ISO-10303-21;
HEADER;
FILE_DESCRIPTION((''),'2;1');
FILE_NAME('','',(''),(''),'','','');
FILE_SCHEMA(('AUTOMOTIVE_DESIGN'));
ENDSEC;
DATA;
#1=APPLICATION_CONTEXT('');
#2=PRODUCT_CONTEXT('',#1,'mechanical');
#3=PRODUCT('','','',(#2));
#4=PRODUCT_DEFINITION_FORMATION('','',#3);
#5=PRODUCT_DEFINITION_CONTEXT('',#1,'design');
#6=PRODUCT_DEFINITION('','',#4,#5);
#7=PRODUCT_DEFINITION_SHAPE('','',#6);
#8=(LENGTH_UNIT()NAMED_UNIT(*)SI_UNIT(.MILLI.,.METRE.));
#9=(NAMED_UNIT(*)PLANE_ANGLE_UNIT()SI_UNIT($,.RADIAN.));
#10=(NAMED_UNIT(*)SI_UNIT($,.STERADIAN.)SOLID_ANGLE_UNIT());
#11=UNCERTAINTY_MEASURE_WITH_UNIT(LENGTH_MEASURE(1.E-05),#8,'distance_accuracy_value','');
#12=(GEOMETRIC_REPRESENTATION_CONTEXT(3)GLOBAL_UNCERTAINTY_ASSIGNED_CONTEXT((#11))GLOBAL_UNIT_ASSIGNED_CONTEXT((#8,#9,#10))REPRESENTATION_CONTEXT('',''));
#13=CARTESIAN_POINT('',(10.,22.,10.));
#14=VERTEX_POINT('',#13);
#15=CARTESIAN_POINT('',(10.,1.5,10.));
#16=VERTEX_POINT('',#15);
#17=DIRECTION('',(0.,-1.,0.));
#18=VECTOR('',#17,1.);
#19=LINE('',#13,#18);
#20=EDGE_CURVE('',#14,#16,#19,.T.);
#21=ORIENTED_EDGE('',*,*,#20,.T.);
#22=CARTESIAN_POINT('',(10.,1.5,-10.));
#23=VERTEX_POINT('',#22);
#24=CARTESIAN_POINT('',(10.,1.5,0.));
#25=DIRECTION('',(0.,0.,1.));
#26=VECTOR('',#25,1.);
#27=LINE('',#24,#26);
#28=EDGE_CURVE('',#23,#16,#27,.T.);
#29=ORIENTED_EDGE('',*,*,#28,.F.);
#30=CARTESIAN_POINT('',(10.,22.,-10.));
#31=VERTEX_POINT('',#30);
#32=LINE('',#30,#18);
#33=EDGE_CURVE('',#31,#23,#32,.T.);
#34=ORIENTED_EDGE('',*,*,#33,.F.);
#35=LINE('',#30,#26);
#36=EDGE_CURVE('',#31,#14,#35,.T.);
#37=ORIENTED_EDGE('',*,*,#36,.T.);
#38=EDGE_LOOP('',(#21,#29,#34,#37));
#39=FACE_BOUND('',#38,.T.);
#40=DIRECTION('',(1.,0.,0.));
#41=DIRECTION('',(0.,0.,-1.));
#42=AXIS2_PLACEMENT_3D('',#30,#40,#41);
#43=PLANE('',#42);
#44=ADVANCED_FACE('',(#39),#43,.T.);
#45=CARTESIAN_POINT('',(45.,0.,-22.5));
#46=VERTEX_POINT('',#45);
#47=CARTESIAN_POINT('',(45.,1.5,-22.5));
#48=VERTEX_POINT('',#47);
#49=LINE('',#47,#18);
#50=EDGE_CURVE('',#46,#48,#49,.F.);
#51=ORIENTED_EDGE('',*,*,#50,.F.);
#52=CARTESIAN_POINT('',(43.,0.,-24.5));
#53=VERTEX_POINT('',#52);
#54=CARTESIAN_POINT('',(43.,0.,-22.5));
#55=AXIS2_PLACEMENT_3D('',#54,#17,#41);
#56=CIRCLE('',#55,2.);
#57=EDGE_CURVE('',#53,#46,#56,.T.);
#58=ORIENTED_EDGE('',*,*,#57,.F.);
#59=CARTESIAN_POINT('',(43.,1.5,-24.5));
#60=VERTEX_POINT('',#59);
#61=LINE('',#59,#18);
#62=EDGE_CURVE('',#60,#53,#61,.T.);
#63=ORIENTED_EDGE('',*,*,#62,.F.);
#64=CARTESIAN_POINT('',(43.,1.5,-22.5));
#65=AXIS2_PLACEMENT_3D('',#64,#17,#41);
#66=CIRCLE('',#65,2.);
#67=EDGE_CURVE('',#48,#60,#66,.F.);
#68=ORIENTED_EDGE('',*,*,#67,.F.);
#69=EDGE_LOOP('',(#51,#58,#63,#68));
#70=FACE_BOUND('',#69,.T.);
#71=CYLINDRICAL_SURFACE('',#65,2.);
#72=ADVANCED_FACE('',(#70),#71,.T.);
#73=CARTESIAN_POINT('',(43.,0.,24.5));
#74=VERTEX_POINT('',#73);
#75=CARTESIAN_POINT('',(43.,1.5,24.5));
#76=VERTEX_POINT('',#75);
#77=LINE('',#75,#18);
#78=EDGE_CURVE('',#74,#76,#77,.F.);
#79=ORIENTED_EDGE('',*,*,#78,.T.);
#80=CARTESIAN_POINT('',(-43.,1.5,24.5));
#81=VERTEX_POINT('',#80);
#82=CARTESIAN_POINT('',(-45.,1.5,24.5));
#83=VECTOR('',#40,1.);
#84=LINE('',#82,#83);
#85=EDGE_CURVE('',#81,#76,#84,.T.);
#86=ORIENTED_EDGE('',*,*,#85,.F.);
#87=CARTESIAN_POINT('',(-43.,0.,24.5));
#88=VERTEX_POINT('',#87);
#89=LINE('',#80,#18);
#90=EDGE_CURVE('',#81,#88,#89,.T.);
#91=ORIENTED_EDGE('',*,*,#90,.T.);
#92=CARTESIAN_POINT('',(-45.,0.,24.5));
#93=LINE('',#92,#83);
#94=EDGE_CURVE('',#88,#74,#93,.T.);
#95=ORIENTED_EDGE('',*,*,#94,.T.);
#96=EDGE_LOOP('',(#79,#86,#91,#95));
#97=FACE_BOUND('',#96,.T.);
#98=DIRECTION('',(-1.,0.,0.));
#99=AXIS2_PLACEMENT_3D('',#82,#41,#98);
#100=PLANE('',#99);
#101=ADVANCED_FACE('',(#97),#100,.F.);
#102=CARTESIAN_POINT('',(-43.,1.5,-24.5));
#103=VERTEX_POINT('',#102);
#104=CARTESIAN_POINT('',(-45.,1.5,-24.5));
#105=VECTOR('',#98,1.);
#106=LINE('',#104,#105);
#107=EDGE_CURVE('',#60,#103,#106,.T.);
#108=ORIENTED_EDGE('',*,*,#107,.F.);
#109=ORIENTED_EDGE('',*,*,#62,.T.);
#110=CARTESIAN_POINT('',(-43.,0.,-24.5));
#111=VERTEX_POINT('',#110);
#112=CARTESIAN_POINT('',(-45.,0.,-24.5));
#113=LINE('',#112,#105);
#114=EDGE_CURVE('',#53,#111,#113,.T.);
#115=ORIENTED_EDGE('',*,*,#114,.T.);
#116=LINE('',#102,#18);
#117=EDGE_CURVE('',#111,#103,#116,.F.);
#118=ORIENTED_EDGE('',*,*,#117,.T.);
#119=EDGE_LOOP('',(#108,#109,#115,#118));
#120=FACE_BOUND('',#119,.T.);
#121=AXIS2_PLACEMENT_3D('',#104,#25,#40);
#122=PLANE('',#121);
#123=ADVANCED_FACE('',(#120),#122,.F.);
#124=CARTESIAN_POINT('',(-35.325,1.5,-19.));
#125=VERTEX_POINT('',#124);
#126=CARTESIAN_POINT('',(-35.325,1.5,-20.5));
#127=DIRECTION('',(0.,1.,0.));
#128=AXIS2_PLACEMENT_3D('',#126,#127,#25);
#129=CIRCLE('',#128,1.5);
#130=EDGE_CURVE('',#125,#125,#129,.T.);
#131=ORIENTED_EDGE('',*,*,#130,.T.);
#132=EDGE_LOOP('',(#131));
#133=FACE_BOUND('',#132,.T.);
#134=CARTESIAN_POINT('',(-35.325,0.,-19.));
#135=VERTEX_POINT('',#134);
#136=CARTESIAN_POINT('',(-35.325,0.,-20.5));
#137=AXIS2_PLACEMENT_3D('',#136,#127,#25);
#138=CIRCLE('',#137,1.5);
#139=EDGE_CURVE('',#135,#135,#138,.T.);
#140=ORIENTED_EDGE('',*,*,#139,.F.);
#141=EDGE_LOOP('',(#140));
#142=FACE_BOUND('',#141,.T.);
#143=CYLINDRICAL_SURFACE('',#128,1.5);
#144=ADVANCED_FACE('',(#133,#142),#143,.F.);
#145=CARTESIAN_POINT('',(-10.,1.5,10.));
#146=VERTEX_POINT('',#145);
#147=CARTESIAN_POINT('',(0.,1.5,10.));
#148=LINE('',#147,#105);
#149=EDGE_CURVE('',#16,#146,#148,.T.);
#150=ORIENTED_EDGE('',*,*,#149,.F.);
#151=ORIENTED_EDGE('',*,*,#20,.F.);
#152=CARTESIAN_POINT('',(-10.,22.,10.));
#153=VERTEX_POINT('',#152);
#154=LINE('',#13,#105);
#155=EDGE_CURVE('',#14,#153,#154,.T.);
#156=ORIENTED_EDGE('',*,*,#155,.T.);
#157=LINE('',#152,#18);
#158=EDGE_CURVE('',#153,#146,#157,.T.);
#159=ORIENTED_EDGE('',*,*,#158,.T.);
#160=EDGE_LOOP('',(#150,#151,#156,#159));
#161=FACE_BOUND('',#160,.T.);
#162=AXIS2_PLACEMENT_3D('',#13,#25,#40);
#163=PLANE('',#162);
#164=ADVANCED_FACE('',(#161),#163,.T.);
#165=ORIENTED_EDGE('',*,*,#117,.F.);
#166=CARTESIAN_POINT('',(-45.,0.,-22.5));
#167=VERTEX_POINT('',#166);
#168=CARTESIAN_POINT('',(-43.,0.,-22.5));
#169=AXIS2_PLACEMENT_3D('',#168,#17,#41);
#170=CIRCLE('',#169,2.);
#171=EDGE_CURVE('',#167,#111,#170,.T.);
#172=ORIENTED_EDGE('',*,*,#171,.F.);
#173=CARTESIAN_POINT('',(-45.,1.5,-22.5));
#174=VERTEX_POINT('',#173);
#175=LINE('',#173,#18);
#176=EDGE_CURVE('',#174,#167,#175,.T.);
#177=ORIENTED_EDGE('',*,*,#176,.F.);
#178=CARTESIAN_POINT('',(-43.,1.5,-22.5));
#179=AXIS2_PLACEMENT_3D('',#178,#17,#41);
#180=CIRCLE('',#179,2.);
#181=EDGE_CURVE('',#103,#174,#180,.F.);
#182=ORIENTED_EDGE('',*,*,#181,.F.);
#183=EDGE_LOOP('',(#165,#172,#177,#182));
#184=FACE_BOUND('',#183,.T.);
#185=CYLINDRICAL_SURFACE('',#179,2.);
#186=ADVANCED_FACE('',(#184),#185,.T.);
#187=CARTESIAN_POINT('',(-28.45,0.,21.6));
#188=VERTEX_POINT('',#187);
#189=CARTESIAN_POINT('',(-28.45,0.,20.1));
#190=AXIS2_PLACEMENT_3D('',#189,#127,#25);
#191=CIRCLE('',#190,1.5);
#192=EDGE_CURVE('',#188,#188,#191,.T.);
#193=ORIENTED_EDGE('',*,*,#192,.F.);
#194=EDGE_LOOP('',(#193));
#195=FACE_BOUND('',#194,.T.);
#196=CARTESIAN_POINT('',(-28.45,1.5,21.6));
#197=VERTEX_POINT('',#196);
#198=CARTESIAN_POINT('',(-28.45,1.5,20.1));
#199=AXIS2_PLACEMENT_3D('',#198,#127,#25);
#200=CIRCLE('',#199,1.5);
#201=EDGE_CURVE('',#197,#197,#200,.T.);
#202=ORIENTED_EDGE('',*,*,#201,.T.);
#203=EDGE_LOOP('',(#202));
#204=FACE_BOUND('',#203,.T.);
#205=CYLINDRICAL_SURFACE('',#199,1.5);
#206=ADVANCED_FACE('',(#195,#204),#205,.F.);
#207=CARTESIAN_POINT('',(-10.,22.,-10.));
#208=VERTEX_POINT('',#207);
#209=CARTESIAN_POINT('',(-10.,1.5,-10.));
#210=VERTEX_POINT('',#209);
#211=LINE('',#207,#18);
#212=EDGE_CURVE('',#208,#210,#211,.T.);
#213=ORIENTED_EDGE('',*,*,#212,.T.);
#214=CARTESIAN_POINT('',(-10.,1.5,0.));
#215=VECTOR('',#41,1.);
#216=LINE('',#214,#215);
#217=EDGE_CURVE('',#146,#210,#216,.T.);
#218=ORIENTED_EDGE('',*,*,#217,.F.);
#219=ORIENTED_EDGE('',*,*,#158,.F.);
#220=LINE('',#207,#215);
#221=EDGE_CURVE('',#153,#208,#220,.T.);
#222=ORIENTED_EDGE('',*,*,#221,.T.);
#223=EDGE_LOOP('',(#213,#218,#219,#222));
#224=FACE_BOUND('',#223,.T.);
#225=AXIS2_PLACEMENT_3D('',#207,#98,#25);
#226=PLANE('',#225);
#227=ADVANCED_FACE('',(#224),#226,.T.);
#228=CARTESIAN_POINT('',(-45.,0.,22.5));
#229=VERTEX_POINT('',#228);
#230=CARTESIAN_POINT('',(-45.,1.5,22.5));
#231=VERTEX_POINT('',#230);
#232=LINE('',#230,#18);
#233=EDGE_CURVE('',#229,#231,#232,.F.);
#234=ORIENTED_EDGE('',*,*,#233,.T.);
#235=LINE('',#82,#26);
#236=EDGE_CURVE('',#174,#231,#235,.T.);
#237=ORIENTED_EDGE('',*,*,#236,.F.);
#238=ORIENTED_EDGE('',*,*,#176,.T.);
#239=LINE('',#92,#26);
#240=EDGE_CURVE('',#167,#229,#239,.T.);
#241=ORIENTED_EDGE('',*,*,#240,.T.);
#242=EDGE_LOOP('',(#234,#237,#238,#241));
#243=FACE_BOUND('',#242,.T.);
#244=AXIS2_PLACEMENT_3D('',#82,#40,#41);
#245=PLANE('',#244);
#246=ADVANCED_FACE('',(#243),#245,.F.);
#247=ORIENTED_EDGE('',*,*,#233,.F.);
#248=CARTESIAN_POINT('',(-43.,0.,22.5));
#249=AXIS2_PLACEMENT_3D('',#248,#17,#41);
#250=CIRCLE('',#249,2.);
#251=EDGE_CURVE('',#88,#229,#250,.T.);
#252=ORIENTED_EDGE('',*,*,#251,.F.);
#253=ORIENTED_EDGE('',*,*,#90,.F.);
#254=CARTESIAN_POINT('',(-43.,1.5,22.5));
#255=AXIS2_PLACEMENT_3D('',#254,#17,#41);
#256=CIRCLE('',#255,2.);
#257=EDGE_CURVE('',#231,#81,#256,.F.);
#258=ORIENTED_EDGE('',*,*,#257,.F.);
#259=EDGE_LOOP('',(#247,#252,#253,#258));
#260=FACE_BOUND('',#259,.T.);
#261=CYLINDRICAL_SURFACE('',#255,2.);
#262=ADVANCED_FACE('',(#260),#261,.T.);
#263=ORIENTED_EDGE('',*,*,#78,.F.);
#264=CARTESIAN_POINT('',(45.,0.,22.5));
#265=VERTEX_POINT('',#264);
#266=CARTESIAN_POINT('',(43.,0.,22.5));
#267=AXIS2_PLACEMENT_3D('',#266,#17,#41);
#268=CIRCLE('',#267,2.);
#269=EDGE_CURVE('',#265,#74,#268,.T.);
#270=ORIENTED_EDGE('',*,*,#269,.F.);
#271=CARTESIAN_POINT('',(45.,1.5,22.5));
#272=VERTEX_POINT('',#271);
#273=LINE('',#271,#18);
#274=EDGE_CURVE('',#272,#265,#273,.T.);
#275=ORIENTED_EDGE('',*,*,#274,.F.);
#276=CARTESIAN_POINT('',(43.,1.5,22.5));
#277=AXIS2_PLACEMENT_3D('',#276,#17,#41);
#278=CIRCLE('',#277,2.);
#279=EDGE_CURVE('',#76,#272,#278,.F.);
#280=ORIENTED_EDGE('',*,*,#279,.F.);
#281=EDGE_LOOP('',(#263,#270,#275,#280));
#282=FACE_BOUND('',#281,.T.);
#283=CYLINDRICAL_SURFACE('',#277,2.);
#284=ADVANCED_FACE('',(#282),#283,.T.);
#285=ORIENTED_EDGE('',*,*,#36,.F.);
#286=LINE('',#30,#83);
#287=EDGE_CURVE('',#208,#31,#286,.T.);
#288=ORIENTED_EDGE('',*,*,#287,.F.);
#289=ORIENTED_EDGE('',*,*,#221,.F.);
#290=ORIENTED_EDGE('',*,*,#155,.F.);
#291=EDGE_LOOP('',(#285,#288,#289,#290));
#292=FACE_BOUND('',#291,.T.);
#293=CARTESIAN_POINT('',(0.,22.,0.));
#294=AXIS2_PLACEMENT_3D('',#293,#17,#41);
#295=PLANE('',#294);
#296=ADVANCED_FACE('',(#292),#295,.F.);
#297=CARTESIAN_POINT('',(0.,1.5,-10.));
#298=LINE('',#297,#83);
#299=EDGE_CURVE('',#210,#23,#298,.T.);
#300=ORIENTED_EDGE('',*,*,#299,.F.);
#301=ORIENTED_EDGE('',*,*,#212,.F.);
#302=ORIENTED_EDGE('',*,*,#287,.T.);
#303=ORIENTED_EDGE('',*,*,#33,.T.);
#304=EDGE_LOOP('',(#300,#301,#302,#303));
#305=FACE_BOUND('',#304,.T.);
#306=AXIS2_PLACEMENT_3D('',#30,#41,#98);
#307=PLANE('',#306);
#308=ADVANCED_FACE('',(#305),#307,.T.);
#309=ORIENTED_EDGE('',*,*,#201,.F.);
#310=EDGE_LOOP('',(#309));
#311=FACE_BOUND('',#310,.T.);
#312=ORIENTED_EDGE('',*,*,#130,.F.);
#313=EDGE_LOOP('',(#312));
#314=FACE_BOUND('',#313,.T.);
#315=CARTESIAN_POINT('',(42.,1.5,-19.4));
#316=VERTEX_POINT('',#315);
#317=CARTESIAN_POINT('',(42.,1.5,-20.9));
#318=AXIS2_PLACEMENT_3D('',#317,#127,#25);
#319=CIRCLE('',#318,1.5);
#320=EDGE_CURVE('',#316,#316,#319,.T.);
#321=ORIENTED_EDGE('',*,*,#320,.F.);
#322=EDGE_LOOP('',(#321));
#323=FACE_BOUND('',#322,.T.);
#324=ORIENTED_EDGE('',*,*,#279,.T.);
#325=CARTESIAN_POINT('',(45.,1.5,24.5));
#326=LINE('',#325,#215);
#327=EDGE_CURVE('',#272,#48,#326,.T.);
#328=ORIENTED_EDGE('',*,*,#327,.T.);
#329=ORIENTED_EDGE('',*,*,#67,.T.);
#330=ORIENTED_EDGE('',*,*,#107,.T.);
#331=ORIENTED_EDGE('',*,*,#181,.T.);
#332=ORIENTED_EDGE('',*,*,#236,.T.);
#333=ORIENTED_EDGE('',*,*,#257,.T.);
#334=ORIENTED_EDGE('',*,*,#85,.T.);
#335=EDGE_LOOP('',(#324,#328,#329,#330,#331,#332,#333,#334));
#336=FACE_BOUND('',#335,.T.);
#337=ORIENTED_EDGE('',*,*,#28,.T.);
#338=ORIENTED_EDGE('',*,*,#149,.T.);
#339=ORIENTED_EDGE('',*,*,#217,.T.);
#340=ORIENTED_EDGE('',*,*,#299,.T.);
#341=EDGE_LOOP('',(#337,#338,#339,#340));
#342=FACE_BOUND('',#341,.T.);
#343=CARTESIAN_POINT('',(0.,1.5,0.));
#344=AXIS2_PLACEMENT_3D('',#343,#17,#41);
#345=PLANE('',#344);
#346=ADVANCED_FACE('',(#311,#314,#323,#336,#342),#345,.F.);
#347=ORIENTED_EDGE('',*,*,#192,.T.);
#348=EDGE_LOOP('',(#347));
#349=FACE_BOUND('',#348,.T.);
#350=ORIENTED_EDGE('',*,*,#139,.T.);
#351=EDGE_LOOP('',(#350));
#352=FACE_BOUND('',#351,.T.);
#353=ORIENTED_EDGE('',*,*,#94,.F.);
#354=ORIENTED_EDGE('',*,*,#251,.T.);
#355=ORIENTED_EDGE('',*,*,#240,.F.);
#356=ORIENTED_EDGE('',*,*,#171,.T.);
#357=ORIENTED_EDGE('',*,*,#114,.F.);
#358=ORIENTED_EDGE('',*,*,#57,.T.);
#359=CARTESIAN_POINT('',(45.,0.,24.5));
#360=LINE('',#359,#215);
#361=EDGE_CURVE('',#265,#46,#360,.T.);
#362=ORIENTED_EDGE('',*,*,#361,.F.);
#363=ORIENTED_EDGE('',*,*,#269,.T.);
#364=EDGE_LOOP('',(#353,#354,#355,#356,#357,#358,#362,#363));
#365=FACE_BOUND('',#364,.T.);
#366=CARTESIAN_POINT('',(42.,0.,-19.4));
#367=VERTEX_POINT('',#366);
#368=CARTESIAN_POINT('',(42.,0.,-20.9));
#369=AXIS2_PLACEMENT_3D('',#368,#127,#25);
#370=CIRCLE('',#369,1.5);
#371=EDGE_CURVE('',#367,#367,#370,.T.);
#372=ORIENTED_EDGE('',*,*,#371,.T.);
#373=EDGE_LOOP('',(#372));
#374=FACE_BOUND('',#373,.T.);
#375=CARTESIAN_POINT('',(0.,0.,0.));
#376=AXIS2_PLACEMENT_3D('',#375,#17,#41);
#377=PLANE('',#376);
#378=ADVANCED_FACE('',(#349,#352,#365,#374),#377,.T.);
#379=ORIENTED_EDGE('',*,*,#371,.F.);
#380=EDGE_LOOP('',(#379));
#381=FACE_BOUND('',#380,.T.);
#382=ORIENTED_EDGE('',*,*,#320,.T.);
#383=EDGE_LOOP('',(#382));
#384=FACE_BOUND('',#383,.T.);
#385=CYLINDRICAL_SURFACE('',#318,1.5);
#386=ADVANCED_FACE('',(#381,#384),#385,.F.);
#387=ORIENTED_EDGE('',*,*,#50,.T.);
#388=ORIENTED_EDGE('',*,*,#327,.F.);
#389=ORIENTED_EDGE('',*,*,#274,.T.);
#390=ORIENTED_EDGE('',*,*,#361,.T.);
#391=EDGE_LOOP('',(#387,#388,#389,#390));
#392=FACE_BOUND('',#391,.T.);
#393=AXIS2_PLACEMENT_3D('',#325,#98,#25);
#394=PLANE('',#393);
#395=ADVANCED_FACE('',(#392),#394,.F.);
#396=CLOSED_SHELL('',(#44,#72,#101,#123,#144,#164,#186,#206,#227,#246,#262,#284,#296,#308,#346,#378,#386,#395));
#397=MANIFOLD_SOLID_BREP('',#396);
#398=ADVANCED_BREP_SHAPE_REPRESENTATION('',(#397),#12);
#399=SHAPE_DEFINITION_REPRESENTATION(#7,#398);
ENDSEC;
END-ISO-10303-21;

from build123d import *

# Parameters (mm, degrees)
SKETCH1_W             = 90
SKETCH1_H             = 49
BOSS_EXTRUDE1_DEPTH   = 1.5
FILLET1_R             = 2
F_1_0MM_DOWEL_HOLE1_D = 3
SKETCH4_W             = 20
SKETCH4_H             = 20
BOSS_EXTRUDE2_DEPTH   = 22


with BuildPart() as part:
    # Sketch1 → Boss-Extrude1 (new body)
    with BuildSketch(Plane(origin=(0, 0, 0), x_dir=(1, 0, 0), z_dir=(0, 1, 0))):
        Rectangle(SKETCH1_W, SKETCH1_H)
    extrude(amount=BOSS_EXTRUDE1_DEPTH)

    # Fillet1
    fillet1_edges = [part.edges().sort_by_distance(p)[0] for p in [
        (45, 0.75, 24.5),
        (-45, 0.75, 24.5),
        (-45, 0.75, -24.5),
        (45, 0.75, -24.5),
    ]]
    fillet(fillet1_edges, radius=FILLET1_R)

    # Ø1.0mm Dowel Hole1 (through all)
    with Locations(Plane(origin=(0, 1.5, 0), x_dir=(1, 0, 0), z_dir=(0, 1, 0))):
        with Locations((-35.325, 20.5), (42, 20.9), (-28.45, -20.1)):
            Hole(F_1_0MM_DOWEL_HOLE1_D / 2)

    # Sketch4 → Boss-Extrude2 (add)
    with BuildSketch(Plane.XZ):
        Rectangle(SKETCH4_W, SKETCH4_H)
    extrude(amount=-BOSS_EXTRUDE2_DEPTH)


solid = part.part
